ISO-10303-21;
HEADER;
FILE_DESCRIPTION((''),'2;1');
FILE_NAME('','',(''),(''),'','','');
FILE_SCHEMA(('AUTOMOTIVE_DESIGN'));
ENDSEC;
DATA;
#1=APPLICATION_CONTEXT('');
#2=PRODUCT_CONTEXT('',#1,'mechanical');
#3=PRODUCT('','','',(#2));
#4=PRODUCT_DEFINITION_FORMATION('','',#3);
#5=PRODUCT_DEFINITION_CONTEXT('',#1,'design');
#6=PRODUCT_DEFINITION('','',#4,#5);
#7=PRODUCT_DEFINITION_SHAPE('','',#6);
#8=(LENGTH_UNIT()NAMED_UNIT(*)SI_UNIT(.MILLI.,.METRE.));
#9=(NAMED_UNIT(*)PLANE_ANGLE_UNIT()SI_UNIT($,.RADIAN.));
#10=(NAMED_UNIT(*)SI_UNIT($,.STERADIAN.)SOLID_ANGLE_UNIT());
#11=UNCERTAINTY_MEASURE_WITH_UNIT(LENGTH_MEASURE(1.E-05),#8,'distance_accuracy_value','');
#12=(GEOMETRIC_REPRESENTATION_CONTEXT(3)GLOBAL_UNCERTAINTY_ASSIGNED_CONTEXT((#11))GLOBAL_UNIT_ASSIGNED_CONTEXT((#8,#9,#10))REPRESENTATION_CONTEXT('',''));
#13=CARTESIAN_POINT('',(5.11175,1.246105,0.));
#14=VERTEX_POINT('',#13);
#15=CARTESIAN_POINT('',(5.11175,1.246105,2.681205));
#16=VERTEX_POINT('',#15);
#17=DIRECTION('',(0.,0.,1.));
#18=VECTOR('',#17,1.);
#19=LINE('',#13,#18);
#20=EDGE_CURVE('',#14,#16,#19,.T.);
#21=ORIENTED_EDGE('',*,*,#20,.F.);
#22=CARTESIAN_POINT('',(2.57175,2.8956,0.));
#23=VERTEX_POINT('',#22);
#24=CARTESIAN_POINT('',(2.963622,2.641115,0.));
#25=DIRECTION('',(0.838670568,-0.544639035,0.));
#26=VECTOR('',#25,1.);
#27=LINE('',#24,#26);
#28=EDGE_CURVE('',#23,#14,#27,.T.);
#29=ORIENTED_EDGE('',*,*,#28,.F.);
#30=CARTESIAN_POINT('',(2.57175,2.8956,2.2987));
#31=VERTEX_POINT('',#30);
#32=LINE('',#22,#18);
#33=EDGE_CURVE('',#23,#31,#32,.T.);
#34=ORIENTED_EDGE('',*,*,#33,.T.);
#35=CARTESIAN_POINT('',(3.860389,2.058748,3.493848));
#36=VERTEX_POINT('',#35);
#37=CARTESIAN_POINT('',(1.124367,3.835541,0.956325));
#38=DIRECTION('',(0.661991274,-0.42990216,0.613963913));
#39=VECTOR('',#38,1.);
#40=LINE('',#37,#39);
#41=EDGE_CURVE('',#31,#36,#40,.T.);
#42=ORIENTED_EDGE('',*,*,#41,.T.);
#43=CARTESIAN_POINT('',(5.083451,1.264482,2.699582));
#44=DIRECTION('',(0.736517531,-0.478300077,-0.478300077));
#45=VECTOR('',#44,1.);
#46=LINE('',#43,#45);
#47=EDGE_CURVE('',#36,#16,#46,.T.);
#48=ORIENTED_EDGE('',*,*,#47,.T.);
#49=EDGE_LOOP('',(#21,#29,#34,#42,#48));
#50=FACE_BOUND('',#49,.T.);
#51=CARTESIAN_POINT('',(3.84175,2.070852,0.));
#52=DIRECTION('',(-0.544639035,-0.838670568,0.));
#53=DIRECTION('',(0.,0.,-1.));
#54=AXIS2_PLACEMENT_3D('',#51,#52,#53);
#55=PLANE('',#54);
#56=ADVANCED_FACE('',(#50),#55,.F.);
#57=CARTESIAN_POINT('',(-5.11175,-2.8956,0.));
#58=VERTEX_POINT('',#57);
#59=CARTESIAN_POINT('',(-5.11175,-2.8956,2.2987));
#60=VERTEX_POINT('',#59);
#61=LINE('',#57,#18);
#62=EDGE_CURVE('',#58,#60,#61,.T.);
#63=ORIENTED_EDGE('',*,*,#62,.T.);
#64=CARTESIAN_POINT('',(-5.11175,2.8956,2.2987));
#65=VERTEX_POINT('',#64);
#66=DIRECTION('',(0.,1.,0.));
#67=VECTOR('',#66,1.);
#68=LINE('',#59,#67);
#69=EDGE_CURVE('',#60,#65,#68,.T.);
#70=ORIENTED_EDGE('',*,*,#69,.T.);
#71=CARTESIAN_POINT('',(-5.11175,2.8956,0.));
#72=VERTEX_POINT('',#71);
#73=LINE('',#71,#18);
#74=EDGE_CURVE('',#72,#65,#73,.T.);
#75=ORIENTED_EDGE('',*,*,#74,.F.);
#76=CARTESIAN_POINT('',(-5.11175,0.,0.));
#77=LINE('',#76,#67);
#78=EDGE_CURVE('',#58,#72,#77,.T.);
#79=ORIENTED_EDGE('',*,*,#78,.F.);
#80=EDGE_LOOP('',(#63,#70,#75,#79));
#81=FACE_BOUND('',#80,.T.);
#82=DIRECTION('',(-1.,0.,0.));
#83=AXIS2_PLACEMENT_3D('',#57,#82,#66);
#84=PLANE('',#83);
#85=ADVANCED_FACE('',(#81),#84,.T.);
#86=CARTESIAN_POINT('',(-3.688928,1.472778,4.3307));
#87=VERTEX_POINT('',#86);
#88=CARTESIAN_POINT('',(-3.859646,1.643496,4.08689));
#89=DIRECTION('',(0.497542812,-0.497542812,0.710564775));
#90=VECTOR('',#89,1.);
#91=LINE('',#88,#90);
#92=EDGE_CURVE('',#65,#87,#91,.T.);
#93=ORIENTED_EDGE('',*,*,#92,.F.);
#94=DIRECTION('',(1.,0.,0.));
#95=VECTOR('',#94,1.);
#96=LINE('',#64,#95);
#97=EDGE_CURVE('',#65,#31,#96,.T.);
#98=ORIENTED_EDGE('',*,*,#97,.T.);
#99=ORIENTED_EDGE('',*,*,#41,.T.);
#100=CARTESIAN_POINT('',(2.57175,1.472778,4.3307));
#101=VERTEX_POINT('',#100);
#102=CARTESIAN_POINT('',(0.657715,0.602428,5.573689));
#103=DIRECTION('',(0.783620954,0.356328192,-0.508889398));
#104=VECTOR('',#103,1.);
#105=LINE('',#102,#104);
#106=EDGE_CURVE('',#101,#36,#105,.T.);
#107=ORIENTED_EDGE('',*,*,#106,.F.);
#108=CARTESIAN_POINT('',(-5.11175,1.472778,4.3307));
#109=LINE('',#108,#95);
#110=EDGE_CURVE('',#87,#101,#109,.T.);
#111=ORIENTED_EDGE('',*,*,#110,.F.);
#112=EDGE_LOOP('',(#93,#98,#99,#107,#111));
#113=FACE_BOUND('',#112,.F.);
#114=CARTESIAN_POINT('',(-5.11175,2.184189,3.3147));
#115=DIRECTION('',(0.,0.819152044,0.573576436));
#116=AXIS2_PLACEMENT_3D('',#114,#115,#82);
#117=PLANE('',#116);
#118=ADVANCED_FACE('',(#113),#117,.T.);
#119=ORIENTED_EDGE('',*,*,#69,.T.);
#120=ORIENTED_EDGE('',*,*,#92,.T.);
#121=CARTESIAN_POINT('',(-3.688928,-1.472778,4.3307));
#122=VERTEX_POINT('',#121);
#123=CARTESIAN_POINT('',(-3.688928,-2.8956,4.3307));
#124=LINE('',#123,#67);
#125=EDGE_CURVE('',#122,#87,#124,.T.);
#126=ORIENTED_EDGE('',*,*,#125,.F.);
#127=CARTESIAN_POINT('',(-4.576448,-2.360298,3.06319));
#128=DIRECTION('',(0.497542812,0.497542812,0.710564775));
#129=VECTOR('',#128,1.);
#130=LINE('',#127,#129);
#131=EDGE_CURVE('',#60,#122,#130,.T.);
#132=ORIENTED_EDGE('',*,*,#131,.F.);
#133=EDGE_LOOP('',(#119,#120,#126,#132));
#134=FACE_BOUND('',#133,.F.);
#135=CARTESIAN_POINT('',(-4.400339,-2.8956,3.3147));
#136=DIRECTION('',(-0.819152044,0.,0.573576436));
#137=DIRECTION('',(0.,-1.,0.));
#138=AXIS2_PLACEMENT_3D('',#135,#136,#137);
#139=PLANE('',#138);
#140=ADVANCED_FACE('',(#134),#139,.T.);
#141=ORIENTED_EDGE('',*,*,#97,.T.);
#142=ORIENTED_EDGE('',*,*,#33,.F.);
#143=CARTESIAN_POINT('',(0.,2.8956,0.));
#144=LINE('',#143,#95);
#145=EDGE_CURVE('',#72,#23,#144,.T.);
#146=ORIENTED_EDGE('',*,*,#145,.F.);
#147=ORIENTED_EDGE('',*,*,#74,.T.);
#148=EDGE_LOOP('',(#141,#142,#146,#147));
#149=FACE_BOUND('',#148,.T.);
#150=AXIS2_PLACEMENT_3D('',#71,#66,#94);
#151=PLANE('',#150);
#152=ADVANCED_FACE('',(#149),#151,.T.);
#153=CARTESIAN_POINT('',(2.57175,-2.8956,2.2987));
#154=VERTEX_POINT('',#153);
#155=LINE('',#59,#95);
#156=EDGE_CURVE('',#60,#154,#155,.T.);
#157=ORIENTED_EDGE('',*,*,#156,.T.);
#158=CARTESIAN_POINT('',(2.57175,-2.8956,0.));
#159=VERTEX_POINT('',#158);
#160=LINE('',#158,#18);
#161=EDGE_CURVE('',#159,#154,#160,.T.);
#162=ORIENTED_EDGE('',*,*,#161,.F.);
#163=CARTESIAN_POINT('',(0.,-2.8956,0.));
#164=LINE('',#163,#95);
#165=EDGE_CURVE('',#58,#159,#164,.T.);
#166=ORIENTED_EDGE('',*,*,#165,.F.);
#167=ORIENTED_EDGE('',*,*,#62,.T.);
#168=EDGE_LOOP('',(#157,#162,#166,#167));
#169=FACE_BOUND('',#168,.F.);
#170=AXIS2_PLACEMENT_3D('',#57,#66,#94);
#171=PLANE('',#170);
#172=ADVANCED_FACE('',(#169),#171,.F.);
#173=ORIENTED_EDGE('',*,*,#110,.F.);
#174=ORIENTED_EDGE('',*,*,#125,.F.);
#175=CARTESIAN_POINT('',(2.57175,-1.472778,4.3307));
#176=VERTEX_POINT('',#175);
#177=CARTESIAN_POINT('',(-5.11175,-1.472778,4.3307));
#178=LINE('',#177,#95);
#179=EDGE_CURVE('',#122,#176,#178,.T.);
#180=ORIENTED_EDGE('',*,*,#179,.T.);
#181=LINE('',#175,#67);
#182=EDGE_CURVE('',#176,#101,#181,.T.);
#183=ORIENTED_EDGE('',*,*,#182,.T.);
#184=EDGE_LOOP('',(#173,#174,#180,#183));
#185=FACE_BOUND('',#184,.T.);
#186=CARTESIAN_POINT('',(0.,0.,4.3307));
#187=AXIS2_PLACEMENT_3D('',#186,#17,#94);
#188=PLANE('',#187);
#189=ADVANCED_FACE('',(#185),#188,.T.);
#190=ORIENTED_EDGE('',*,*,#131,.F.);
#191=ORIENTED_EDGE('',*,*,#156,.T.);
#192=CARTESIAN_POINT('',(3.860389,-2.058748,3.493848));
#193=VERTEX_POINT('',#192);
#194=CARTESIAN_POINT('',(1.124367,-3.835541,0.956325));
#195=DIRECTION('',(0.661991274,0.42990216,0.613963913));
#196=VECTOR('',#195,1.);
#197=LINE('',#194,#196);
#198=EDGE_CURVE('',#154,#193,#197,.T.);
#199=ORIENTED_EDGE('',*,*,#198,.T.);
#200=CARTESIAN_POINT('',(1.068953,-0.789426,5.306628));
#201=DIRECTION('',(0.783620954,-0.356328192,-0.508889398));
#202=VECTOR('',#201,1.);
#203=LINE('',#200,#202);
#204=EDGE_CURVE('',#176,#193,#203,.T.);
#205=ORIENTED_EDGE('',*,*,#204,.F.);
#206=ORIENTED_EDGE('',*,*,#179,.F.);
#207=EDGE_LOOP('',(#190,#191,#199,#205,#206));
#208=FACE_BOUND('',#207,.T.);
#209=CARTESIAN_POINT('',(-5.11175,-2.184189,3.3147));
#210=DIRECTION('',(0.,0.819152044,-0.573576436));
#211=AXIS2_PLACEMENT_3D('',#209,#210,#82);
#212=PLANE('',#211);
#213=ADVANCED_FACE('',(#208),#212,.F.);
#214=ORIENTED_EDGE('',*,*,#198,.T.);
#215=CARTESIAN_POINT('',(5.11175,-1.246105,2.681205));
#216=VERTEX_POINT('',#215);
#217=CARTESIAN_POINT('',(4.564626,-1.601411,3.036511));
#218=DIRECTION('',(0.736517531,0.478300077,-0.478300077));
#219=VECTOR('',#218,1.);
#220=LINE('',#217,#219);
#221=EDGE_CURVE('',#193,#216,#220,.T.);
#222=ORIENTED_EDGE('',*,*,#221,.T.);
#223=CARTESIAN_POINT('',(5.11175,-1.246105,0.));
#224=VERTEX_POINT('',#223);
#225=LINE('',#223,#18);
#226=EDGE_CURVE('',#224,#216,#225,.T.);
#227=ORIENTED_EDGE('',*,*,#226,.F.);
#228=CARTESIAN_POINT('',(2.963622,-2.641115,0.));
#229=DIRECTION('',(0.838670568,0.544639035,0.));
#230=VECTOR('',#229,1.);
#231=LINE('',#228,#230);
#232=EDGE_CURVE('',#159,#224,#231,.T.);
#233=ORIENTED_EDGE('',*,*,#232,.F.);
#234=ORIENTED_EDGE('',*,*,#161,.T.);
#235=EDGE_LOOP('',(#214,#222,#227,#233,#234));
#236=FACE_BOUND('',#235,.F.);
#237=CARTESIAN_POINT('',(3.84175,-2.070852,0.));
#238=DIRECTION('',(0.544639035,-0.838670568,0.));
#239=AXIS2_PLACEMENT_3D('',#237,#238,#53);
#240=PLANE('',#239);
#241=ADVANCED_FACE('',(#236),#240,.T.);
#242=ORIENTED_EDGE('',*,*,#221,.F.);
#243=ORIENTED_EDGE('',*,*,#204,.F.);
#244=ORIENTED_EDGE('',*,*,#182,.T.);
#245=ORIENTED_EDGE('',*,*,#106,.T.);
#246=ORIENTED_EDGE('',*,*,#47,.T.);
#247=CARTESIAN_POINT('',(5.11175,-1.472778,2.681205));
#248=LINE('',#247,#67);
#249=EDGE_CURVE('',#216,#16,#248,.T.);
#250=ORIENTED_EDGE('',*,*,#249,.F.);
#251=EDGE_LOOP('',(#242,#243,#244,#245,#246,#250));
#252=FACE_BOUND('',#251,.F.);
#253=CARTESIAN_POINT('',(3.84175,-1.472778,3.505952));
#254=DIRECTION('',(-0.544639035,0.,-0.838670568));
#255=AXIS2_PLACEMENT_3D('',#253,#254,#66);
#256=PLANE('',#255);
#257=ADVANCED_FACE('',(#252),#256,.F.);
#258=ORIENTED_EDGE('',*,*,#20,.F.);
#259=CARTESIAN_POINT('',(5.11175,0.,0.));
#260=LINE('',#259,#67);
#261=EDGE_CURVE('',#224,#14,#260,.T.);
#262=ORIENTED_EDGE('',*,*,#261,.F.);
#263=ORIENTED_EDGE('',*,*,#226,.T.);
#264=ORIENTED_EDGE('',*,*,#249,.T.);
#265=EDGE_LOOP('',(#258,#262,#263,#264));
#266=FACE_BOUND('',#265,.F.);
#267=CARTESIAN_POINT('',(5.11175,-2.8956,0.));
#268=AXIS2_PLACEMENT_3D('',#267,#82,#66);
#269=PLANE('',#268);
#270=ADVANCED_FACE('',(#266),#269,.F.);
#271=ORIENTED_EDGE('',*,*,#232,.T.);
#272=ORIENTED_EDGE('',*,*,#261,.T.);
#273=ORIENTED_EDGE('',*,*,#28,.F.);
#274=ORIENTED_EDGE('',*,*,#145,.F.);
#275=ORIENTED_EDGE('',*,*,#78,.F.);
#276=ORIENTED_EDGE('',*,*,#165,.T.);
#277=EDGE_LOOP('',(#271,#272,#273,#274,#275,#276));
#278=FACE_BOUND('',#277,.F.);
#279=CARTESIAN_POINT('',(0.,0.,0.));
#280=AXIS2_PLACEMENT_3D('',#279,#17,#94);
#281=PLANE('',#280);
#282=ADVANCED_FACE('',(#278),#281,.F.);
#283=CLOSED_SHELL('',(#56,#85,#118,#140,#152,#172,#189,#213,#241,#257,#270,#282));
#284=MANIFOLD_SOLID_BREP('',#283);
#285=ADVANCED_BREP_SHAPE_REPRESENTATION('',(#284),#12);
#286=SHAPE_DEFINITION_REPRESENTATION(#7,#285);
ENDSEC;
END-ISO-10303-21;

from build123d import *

# Parameters (mm, degrees)
F0_W       = 10.2235
F0_H       = 5.7912
F1_DEPTH   = 4.3307
F2_SIZE2   = 1.4228217176
F2_SIZE    = 2.032
F3_SIZE2   = 1.6494952867
F3_SIZE    = 2.54
F3_2_SIZE2 = 1.6494952867
F3_2_SIZE  = 2.54
F3_3_SIZE2 = 1.6494952867
F3_3_SIZE  = 2.54


with BuildPart() as f1:
    # F0 (on Top) → F1 (new body)
    with BuildSketch(Plane.XY):
        Rectangle(F0_W, F0_H)
    extrude(amount=F1_DEPTH)

    # F2
    f2_edges = [f1.edges().sort_by_distance(p)[0] for p in [
        (0, -2.8956, 4.3307),
        (0, 2.8956, 4.3307),
        (-5.11175, 0, 4.3307),
    ]]
    chamfer(f2_edges, length=F2_SIZE, length2=F2_SIZE2)

    # F3
    f3_edges = [f1.edges().sort_by_distance(p)[0] for p in [
        (5.11175, 0, 4.3307),
    ]]
    f3_side = f1.faces().sort_by_distance((0.711411, 0, 4.3307))[0]
    chamfer(f3_edges, length=F3_SIZE, length2=F3_SIZE2, reference=f3_side)

    # F3#2
    f3_2_edges = [f1.edges().sort_by_distance(p)[0] for p in [
        (5.11175, -2.8956, 1.14935),
    ]]
    f3_2_side = f1.faces().sort_by_distance((0, -2.8956, 1.14935))[0]
    chamfer(f3_2_edges, length=F3_2_SIZE, length2=F3_2_SIZE2, reference=f3_2_side)

    # F3#3
    f3_3_edges = [f1.edges().sort_by_distance(p)[0] for p in [
        (5.11175, 2.8956, 1.14935),
    ]]
    f3_3_side = f1.faces().sort_by_distance((0, 2.8956, 1.14935))[0]
    chamfer(f3_3_edges, length=F3_3_SIZE, length2=F3_3_SIZE2, reference=f3_3_side)


solid = f1.part
